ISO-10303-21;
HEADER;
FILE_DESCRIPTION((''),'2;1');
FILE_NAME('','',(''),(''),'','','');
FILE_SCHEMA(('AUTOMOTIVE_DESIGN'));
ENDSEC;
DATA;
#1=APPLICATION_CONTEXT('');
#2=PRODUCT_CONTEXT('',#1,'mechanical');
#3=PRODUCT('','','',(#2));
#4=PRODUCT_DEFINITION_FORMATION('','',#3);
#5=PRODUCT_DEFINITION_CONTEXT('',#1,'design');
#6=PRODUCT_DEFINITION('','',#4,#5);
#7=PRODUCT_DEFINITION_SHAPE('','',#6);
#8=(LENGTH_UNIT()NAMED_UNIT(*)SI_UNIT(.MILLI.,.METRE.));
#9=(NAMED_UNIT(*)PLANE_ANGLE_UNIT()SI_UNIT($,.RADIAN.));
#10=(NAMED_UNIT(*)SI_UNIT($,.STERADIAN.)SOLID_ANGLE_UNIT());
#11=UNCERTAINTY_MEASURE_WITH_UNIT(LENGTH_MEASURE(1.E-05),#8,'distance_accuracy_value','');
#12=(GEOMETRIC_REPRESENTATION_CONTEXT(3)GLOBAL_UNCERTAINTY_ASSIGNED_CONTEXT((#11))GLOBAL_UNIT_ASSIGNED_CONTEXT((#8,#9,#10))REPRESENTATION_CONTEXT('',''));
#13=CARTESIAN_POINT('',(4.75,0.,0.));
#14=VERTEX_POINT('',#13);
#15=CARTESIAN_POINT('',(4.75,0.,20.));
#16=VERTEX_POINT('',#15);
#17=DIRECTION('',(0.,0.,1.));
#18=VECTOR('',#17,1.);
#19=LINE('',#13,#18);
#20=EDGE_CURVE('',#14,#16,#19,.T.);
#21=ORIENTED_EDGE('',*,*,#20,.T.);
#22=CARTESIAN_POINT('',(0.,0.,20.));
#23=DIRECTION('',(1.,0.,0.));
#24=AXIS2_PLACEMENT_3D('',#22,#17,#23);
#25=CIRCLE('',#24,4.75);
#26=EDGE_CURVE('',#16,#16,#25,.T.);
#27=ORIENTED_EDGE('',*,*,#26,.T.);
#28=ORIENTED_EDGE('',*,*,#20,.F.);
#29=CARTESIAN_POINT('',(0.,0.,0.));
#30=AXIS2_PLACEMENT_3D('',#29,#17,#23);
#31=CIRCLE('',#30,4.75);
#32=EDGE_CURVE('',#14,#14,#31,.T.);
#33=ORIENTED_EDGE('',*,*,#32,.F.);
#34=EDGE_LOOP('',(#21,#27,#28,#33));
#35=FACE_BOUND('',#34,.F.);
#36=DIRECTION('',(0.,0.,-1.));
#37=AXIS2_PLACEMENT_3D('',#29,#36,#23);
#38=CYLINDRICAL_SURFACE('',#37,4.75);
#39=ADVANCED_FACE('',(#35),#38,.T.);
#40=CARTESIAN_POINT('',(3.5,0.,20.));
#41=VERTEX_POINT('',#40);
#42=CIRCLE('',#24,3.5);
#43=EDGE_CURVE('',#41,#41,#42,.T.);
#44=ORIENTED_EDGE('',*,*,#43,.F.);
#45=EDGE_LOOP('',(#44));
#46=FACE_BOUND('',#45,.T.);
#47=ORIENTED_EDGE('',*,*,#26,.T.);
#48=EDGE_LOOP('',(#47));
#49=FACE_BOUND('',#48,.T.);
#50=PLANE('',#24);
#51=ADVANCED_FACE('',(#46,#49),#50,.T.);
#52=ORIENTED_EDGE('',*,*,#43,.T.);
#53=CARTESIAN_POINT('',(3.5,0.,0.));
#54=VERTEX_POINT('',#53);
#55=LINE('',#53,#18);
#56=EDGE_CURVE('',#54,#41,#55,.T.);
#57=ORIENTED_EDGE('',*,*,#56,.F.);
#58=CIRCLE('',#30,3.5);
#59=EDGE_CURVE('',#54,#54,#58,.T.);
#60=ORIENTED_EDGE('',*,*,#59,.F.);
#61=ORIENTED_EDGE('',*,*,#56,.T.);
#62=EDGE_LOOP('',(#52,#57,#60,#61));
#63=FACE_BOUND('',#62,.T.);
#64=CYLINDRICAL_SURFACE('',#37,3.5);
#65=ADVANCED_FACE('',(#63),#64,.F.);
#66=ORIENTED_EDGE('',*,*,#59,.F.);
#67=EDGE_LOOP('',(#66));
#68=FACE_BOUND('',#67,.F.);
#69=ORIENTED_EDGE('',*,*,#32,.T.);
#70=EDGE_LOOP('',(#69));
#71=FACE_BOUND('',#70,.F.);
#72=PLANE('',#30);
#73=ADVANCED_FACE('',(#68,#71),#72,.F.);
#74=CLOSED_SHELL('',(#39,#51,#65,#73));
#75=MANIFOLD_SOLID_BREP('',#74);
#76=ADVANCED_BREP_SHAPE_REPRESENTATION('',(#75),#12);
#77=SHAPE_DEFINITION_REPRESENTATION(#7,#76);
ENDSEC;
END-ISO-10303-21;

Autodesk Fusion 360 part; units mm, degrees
sketch "Sketch1" plane through (0, 0, 0) normal (0, 0, 1) x (1, 0, 0)
  circle A0 centre (0, 0) radius 4.75
  circle A1 centre (0, 0) radius 3.5
  dimension "d1" = 9.5
  dimension "d2" = 7
extrude "Extrude1" add sketch "Sketch1" along normal blind 20
